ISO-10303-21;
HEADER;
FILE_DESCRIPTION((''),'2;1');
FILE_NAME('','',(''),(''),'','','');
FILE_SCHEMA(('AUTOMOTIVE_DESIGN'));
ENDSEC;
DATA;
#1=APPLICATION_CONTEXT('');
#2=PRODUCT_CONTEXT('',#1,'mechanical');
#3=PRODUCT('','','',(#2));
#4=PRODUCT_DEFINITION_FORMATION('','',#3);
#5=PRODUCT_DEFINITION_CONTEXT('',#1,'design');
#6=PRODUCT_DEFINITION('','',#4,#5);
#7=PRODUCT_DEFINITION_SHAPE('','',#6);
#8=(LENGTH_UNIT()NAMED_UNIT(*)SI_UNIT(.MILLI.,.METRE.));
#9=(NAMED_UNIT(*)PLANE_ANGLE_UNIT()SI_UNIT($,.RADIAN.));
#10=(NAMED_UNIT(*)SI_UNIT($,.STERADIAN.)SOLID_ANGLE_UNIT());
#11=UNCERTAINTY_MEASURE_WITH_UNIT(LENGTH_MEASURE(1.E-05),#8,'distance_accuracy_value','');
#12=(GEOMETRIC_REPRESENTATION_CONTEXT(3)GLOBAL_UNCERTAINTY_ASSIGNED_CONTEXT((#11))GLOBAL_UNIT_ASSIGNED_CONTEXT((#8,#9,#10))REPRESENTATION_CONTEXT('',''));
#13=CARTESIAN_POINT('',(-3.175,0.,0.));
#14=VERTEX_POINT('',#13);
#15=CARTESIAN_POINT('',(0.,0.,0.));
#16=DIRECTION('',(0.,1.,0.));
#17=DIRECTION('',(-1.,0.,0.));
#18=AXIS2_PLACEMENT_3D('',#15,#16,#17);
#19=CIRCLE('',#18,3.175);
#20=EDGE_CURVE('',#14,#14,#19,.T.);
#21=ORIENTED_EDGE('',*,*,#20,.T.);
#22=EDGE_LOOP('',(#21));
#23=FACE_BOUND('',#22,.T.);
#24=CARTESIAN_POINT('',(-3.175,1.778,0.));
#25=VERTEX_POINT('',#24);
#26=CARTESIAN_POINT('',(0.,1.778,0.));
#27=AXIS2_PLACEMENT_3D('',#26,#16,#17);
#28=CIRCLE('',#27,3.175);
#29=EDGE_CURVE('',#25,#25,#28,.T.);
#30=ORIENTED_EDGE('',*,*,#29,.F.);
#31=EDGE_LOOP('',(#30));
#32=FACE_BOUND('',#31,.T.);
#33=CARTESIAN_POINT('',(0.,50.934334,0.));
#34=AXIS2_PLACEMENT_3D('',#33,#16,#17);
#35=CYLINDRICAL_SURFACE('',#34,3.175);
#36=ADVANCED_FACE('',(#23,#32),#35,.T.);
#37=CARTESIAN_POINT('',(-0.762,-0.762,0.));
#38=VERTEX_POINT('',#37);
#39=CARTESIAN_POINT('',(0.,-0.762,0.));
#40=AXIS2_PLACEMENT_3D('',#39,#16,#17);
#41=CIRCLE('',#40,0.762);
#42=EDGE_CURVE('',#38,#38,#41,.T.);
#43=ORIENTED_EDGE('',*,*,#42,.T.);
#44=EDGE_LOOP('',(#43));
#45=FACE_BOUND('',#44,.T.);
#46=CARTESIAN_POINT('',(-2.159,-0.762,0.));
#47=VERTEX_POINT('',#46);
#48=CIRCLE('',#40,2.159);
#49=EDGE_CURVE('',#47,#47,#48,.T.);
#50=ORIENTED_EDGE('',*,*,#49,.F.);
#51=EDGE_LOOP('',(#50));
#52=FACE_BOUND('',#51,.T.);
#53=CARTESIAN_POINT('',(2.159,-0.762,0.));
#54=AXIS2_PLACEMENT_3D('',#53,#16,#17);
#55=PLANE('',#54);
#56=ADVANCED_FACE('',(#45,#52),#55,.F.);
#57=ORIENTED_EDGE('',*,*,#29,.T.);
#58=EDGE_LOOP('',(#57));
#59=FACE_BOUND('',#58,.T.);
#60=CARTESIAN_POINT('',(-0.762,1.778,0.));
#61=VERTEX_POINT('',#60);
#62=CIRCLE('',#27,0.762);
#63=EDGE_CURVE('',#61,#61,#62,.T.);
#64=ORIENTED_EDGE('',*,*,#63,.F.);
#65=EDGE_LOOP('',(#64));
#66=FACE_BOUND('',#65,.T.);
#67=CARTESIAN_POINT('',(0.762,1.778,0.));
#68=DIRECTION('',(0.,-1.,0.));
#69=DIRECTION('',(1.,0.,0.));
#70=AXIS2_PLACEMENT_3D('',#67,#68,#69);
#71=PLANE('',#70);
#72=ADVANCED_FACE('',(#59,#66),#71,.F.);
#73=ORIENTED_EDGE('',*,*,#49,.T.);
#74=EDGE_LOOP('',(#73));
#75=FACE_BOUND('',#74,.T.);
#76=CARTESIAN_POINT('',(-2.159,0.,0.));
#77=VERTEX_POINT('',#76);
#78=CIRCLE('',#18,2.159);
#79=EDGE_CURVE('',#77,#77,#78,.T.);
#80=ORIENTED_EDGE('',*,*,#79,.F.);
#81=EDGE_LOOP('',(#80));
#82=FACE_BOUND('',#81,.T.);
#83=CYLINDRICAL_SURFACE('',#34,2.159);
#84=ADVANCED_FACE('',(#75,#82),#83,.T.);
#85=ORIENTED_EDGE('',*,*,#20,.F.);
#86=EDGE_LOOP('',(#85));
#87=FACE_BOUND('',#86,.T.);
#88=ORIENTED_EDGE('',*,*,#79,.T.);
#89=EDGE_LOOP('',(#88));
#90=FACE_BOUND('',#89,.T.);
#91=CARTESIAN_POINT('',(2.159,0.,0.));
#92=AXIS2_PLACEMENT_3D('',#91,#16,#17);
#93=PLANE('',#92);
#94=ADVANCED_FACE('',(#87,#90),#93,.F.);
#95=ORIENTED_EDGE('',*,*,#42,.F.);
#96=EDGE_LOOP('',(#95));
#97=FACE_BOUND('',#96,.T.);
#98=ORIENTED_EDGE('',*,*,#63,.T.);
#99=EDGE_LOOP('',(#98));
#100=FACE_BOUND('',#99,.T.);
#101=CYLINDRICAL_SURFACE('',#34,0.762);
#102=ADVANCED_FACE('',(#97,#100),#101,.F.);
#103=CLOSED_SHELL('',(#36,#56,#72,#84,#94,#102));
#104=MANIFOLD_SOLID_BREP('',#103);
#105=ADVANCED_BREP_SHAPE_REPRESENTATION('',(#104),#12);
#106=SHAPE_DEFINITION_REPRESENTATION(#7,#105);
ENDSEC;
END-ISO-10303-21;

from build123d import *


with BuildPart() as part:
    # Sketch1 → Revolve1 (revolve)
    with BuildSketch(Plane.XY, mode=Mode.PRIVATE) as revolve1_sk:
        Polygon((2.159, 0), (3.175, 0), (3.175, 1.778), (0.762, 1.778), (0.762, -0.762), (2.159, -0.762), align=None)
    revolve(revolve1_sk.sketch.rotate(Axis((0, 50.934334119, 0), (0, -1, 0)), 180), axis=Axis((0, 50.934334119, 0), (0, -1, 0)))  # turned: the seam where the file's is


solid = part.part
